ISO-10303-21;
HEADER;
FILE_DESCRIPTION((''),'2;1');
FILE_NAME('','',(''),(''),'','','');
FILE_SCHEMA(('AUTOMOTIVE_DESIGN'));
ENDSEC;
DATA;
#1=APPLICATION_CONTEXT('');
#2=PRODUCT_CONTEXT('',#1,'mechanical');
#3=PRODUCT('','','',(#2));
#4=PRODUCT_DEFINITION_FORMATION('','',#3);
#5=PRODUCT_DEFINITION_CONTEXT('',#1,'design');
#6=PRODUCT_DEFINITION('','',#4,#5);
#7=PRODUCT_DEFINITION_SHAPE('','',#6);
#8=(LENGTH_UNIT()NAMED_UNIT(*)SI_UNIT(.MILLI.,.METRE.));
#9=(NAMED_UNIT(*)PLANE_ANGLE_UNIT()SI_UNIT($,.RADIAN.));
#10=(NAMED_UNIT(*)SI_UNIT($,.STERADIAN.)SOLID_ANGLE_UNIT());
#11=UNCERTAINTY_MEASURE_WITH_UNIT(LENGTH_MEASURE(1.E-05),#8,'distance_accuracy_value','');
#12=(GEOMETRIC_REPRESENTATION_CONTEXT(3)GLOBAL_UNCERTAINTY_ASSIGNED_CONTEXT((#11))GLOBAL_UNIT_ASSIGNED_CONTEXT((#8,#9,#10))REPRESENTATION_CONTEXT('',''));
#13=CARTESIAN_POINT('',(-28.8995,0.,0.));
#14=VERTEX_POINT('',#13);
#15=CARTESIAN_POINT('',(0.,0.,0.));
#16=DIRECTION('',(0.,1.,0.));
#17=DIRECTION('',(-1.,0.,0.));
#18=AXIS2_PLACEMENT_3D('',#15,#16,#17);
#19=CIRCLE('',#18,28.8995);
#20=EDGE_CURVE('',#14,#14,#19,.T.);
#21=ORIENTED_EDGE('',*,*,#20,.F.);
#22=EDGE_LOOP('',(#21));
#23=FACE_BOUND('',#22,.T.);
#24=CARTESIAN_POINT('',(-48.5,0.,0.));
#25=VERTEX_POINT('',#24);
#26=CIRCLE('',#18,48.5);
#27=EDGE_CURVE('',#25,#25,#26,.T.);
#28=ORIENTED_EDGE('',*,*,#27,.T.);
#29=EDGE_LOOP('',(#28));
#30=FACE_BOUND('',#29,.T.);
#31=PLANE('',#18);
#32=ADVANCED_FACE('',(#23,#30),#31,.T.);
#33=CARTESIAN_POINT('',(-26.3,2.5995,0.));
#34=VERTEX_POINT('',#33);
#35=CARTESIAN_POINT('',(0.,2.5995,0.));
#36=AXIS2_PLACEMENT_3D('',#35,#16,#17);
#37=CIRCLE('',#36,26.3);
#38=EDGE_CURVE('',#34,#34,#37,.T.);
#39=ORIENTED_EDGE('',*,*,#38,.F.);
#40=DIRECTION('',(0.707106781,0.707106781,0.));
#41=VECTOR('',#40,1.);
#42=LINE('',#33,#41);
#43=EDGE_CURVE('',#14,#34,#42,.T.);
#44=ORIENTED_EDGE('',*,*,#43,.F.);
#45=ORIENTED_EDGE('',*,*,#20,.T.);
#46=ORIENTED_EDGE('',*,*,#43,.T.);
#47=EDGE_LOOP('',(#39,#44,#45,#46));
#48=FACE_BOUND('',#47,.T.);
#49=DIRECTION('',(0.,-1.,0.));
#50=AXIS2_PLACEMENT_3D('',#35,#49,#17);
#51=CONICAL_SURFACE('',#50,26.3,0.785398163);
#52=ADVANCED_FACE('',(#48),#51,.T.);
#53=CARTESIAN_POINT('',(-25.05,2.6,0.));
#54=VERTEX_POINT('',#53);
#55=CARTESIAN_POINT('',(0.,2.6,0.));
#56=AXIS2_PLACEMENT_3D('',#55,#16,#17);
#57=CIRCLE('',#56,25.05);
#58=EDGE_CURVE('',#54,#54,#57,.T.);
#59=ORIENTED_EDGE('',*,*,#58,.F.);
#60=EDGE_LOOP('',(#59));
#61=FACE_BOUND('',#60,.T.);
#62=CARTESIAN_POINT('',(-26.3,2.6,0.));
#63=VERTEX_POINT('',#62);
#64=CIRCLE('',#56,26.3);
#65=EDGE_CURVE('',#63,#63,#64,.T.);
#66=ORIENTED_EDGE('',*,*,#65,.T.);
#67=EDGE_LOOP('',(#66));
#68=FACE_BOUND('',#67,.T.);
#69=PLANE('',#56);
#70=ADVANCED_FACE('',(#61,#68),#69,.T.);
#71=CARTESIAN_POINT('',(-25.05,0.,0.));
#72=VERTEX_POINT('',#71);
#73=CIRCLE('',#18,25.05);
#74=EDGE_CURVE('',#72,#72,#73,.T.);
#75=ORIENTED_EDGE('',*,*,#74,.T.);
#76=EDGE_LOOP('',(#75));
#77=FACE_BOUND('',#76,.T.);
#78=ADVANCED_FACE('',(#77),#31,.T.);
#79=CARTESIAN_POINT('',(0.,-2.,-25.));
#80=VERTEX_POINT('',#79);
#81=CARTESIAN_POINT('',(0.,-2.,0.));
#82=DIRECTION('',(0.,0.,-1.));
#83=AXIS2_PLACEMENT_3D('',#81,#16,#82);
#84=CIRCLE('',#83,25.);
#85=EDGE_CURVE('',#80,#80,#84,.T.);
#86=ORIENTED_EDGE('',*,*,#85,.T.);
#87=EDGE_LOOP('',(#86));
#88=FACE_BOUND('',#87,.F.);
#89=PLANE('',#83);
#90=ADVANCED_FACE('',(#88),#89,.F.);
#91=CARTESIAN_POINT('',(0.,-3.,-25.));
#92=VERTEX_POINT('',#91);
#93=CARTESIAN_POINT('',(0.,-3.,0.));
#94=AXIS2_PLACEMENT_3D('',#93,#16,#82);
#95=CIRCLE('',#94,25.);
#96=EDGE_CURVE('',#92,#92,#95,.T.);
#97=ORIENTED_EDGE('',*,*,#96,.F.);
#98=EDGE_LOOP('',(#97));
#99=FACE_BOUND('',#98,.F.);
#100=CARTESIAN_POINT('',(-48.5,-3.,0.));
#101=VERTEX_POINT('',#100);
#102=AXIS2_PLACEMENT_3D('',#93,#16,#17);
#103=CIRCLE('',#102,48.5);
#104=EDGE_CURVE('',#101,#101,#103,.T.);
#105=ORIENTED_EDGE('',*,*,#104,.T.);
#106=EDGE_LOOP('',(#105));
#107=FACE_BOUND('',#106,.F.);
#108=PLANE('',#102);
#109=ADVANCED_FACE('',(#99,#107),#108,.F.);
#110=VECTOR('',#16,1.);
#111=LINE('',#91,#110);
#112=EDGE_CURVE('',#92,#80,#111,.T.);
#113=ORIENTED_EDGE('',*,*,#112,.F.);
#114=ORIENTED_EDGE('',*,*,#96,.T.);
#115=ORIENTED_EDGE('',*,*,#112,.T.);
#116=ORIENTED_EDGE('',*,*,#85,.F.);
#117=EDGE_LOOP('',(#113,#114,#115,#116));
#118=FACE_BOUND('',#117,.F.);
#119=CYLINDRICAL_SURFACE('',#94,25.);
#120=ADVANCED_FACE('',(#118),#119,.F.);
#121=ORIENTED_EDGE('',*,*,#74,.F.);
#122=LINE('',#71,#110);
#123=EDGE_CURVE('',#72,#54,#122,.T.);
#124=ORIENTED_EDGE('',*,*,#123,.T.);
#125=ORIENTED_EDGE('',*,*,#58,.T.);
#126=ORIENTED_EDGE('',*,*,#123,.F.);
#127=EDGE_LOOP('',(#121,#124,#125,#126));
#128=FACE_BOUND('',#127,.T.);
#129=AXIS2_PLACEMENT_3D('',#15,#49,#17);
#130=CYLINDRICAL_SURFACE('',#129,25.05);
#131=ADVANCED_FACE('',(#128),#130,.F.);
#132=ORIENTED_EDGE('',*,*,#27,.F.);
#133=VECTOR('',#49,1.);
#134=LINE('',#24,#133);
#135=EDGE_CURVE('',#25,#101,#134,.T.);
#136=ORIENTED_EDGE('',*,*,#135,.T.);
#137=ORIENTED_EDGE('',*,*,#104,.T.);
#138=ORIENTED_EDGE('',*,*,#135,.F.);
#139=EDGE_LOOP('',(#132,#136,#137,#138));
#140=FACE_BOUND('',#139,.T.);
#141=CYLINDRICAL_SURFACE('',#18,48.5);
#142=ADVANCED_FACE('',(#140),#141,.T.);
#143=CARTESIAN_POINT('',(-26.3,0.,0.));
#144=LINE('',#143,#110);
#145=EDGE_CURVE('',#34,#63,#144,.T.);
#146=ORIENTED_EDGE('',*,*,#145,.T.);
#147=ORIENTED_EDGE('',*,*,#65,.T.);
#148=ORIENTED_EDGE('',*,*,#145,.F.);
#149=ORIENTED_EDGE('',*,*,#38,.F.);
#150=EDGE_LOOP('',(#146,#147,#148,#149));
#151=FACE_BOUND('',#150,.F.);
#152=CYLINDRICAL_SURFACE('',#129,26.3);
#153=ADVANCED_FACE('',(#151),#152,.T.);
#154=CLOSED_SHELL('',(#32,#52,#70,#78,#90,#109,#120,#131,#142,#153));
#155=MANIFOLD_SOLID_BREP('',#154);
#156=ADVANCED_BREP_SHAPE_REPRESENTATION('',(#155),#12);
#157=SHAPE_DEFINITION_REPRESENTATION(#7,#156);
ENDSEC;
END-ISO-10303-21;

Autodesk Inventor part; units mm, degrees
ref_plane "YZ Plane" through (0, 0, 0) normal (1, 0, 0) x (0, 1, 0)
ref_plane "XZ Plane" through (0, 0, 0) normal (0, 1, 0) x (-1, 0, 0)
ref_plane "XY Plane" through (0, 0, 0) normal (0, 0, 1) x (1, 0, 0)
sketch "Эскиз1" plane through (0, 0, 0) normal (0, 1, 0) x (-1, 0, 0)
  circle A0 centre (0, 0) radius 25.05
  circle A1 centre (0, 0) radius 48.5
  circle A2 centre (0, 0) radius 26.3
  dimension "d1" = 50.1
  dimension "d2" = 97
  dimension "d3" = 52.6
extrude "Выдавливание1" add sketch "Эскиз1" against normal blind 3 contours A0 | A1 | A2
extrude "Выдавливание2" add sketch "Эскиз1" along normal blind 2.6 contours A2
sketch "Эскиз2" plane through (0, -3, 0) normal (0, -1, 0) x (1, 0, 0)
  point P0 (0, 0)
hole "Отверстие1" at (0, -3, 0) direction (0, 1, 0) diameter 50 depth 1
chamfer "Фаска1" distance 2.6 angle 45 1 edges at (26.3, 0, 0)
properties part number "навес над зеркалом"
